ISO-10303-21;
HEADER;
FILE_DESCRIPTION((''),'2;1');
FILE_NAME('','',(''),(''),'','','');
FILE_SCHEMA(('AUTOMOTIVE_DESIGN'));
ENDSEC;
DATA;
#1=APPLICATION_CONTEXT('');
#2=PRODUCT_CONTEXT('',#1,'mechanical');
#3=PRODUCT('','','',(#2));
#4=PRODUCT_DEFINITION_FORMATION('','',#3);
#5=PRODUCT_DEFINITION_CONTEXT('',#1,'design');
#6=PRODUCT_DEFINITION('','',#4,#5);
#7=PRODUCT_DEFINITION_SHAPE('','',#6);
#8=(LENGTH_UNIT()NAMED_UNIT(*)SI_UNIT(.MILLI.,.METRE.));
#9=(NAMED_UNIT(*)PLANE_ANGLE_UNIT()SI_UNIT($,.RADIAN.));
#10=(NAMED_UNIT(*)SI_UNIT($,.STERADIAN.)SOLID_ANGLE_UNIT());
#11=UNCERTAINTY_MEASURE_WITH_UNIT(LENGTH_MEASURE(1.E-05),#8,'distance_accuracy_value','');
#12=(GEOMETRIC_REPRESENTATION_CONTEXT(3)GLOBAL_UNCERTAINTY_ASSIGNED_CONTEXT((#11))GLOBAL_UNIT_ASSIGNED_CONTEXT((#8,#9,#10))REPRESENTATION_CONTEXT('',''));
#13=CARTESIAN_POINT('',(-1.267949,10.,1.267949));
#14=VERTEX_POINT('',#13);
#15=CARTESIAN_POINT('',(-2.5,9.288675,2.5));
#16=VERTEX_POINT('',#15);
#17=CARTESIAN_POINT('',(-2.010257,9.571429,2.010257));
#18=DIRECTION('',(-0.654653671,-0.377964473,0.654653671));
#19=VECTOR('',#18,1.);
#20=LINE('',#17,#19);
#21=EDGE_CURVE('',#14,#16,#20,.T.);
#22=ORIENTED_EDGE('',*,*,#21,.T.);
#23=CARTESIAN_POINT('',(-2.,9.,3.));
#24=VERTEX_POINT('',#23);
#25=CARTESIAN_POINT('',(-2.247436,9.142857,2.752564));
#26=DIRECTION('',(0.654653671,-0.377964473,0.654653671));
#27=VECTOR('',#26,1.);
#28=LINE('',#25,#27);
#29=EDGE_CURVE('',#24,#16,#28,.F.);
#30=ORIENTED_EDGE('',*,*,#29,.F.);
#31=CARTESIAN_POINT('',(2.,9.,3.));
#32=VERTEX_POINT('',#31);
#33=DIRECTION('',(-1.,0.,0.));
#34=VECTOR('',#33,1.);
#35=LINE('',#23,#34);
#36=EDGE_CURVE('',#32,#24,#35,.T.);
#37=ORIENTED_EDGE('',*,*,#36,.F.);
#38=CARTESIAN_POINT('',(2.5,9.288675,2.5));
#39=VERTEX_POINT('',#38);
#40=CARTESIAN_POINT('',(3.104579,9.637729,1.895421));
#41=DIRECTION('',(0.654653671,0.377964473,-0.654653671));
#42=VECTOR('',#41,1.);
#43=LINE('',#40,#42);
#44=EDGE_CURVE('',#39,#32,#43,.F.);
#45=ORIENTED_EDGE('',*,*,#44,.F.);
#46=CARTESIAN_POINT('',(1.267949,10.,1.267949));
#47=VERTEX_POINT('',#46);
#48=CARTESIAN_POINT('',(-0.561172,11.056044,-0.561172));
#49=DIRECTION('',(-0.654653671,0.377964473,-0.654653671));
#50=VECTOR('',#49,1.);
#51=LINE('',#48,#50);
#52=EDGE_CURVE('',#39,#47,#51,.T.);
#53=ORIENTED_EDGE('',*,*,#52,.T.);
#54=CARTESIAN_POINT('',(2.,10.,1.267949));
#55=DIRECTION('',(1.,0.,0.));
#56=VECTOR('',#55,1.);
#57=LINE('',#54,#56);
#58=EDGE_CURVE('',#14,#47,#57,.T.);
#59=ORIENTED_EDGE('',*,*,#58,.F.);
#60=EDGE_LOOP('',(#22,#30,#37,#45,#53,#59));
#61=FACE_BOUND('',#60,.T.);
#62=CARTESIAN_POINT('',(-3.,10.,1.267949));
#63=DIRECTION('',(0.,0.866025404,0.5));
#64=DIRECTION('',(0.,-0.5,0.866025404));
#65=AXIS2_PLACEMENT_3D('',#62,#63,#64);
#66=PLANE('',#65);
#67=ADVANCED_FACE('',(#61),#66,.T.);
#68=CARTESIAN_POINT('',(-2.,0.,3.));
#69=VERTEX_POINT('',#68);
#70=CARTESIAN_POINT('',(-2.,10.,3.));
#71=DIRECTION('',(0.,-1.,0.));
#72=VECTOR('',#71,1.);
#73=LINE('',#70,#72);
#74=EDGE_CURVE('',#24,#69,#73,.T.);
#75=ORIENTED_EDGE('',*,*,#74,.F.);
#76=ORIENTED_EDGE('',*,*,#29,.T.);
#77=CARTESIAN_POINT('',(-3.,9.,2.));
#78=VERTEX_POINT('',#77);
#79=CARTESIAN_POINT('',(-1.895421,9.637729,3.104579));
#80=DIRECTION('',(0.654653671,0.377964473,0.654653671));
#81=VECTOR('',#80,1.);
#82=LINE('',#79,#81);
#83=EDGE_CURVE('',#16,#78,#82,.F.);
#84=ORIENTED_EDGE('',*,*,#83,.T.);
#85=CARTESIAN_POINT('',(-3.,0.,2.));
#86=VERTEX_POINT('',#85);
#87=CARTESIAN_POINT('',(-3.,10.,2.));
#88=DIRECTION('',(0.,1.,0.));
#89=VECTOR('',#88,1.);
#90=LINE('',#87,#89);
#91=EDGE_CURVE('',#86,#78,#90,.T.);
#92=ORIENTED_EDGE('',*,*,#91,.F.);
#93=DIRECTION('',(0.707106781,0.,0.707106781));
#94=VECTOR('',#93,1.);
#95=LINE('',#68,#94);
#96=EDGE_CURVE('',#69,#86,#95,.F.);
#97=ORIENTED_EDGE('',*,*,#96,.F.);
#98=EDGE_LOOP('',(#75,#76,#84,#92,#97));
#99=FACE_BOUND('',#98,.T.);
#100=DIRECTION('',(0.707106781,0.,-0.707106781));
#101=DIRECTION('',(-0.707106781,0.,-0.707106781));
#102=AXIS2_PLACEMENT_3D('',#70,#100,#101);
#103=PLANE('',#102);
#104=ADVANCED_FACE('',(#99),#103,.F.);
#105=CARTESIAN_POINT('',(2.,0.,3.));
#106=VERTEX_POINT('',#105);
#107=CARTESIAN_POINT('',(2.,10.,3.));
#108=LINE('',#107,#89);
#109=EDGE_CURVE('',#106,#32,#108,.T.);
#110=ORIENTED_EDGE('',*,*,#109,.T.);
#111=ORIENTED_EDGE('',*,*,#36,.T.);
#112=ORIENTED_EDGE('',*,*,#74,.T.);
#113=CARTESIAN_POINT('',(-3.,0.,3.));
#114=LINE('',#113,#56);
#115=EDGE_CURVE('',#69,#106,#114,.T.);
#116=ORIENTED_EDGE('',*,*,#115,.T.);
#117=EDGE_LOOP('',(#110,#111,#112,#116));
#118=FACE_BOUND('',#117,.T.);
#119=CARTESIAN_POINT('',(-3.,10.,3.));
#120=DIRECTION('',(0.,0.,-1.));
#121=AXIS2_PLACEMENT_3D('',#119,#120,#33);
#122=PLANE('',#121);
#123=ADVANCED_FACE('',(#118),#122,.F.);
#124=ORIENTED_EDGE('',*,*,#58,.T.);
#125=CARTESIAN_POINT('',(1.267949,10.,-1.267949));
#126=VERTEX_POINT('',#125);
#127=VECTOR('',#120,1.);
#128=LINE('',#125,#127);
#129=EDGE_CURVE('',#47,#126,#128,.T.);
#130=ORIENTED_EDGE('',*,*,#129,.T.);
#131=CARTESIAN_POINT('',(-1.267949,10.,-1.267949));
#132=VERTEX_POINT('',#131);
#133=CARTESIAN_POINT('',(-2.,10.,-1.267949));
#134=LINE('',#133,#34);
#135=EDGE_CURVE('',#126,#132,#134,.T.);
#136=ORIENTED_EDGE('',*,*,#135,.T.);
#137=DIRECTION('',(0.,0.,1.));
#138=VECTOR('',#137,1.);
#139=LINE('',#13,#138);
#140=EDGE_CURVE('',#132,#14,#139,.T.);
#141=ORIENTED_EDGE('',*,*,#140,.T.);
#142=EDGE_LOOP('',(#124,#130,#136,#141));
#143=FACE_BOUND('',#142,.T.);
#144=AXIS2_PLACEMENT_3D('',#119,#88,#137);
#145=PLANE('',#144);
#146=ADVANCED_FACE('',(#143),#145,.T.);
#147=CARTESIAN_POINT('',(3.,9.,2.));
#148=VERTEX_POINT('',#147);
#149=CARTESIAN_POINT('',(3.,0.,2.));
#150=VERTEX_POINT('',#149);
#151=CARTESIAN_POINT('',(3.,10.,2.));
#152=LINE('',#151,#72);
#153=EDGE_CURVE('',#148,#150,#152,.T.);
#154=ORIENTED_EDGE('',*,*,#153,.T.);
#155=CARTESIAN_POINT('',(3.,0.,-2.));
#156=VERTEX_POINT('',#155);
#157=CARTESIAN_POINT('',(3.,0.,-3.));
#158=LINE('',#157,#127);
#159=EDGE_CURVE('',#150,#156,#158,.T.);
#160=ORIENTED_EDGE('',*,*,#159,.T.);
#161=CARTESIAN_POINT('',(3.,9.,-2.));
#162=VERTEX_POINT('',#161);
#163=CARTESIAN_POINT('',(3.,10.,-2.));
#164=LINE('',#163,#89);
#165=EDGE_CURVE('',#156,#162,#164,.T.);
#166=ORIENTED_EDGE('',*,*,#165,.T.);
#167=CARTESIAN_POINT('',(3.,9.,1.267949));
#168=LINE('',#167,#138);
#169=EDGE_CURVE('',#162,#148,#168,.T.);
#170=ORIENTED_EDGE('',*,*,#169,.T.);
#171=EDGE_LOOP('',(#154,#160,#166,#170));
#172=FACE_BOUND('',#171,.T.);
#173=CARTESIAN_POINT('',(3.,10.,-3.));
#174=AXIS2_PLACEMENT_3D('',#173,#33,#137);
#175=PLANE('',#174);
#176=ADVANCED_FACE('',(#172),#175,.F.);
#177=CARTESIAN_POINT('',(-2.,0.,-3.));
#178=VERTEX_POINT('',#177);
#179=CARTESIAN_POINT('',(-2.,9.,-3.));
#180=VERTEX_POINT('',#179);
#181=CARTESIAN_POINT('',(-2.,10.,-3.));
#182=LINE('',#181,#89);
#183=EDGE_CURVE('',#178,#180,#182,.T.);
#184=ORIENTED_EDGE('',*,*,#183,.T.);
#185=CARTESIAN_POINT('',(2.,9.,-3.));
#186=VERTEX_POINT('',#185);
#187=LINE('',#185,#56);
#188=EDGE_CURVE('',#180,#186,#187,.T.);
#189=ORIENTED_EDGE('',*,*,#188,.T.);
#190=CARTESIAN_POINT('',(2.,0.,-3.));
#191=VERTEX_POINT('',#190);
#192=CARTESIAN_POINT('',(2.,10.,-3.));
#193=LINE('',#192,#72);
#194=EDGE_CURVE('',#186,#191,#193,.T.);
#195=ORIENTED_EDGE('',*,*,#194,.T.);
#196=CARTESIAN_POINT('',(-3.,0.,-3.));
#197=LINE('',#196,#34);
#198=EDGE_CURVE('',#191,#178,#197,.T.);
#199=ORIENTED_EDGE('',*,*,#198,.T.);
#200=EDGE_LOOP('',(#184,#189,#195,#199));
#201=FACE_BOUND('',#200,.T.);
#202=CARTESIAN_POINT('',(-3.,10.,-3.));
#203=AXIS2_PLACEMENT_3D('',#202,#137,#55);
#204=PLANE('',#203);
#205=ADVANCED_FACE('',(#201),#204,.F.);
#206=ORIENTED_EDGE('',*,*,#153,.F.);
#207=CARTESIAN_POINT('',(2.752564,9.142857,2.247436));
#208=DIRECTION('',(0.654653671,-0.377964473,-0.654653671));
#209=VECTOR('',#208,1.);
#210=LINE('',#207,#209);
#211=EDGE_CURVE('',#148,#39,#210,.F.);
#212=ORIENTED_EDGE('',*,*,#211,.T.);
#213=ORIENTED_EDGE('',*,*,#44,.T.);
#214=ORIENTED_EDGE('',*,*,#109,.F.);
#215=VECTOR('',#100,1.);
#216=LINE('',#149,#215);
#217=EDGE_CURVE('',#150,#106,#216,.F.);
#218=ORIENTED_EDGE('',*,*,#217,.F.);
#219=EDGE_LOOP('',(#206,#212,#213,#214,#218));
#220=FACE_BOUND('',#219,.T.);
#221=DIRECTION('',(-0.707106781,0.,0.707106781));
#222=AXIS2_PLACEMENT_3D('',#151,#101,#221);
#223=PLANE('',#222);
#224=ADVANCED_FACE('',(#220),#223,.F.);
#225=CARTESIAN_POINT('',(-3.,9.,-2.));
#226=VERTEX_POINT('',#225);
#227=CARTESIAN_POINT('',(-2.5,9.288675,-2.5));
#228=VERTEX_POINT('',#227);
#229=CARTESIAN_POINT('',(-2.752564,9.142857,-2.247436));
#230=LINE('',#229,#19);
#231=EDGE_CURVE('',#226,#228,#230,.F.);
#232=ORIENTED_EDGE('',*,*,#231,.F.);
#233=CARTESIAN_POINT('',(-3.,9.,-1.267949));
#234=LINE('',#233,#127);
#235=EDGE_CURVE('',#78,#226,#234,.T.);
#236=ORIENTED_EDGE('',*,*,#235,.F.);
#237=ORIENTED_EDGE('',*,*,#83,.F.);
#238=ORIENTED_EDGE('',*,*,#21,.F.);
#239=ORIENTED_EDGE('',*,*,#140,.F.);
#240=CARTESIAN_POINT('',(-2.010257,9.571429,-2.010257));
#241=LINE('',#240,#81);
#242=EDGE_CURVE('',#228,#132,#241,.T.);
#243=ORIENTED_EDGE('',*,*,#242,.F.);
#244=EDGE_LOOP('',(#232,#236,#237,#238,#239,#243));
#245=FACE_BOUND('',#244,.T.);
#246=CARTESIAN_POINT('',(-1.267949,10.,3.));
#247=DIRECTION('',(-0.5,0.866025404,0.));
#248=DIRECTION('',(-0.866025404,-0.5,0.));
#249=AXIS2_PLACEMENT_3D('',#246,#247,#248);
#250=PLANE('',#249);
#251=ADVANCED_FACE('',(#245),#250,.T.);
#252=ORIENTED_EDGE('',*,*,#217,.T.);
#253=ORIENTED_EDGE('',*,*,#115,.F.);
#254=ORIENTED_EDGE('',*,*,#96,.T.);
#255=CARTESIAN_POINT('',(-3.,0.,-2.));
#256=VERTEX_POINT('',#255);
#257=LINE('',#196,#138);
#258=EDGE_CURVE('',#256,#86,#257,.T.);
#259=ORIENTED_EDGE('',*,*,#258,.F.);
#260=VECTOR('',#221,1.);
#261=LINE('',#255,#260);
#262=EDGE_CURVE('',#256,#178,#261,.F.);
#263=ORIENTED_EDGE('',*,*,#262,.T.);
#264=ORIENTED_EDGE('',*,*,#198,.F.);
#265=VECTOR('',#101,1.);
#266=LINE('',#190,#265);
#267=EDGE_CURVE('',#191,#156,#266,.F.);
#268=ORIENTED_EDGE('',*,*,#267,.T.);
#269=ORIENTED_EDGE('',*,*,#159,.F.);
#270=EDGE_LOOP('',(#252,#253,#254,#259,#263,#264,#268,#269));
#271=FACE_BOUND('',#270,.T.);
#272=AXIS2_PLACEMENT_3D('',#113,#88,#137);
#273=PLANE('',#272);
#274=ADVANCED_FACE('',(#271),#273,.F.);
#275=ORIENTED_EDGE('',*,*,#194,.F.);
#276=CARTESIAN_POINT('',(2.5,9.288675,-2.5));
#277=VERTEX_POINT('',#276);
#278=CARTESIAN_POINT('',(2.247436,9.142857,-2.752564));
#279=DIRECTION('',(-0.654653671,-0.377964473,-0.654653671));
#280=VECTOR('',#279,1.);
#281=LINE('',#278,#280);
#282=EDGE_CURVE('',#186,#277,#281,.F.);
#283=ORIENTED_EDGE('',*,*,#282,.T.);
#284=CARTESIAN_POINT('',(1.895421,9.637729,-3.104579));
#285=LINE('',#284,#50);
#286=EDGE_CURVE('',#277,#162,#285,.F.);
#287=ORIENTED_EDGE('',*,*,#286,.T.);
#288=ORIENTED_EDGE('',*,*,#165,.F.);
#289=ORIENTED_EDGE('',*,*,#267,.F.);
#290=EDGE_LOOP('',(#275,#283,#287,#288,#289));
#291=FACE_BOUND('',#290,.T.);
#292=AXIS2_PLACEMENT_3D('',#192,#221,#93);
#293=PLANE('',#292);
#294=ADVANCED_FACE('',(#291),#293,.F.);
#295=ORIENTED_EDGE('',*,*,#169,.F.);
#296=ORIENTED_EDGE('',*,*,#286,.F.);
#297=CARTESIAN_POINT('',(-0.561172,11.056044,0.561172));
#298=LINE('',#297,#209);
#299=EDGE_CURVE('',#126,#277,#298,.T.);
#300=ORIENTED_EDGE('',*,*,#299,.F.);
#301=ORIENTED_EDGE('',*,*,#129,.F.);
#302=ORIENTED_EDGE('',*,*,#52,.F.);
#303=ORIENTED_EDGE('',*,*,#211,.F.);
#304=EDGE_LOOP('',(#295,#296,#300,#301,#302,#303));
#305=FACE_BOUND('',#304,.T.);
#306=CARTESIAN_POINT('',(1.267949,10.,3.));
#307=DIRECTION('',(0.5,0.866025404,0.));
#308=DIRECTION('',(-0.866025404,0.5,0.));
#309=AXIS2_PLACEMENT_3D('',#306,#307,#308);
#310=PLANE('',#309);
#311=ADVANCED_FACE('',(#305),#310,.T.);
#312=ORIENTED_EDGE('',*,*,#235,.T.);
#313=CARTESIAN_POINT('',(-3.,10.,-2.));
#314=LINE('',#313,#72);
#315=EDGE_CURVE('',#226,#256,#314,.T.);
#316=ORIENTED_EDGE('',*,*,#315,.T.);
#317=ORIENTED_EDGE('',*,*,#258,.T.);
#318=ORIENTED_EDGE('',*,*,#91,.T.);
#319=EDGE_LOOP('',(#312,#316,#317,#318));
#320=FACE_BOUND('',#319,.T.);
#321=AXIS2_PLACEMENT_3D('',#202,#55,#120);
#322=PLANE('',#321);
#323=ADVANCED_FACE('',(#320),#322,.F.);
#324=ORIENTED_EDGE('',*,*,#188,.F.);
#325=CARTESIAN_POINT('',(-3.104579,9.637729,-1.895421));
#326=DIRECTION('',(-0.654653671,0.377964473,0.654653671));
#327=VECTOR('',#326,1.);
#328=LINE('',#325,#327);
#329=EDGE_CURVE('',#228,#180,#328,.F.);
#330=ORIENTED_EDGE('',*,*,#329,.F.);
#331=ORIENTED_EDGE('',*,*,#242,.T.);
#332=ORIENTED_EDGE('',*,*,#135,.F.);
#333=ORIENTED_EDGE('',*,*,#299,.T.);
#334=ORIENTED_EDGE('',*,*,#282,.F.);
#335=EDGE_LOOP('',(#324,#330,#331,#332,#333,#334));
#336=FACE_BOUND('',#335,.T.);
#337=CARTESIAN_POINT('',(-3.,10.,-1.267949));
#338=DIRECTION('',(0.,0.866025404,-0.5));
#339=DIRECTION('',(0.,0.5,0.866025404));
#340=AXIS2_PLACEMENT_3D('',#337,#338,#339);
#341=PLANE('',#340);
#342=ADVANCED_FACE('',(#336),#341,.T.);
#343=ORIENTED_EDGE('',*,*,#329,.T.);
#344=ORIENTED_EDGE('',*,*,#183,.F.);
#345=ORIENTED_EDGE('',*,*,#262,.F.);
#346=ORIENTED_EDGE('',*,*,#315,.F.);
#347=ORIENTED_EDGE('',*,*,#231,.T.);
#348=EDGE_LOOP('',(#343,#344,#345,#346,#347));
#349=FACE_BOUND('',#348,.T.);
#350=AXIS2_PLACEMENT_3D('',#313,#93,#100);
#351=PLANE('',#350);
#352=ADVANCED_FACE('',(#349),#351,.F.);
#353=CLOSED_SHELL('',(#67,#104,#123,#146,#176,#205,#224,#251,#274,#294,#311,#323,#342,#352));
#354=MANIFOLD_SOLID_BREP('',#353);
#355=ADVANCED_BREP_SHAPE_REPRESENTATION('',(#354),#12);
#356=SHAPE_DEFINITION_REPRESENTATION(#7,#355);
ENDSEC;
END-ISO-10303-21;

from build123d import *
from OCP.BRepFilletAPI import BRepFilletAPI_MakeChamfer

# Parameters (mm, degrees)
SKETCH11_W     = 6
SKETCH11_H     = 6
EXTRUDE8_DEPTH = 10
CHAMFER1_SIZE  = 1
CHAMFER2_SIZE  = 1
CHAMFER3_SIZE  = 1
CHAMFER3_SIZE2 = 1.732050808
CHAMFER4_SIZE  = 1
CHAMFER4_SIZE2 = 1.732050808


with BuildPart() as part:
    # Sketch11 → Extrude8 (new body)
    with BuildSketch(Plane(origin=(0, 0, 0), x_dir=(1, 0, 0), z_dir=(0, 1, 0))):
        Rectangle(SKETCH11_W, SKETCH11_H)
    extrude(amount=EXTRUDE8_DEPTH)

    # Chamfer1
    chamfer1_edges = [part.edges().sort_by_distance(p)[0] for p in [
        (3, 5, -3),
        (-3, 5, 3),
    ]]
    chamfer(chamfer1_edges, length=CHAMFER1_SIZE)

    # Chamfer2
    chamfer2_edges = [part.edges().sort_by_distance(p)[0] for p in [
        (-3, 5, -3),
        (3, 5, 3),
    ]]
    chamfer(chamfer2_edges, length=CHAMFER2_SIZE)

    # Chamfer3: one chamfer whose edges measure the first distance from different faces: ONE call of the kernel's chamfer builder (chamfer() names one face for all edges)
    chamfer3_edges_1 = [part.edges().sort_by_distance(p)[0] for p in [
        (0, 10, 3),
    ]]
    chamfer3_side_1 = [part.faces().sort_by_distance(p)[0] for p in [
        (0, 5, 3),
    ]]
    chamfer3_edges_2 = [part.edges().sort_by_distance(p)[0] for p in [
        (0, 10, -3),
    ]]
    chamfer3_side_2 = [part.faces().sort_by_distance(p)[0] for p in [
        (0, 5, -3),
    ]]
    chamfer3 = BRepFilletAPI_MakeChamfer(part.part.solid().wrapped)
    for e in chamfer3_edges_1:
        chamfer3.Add(CHAMFER3_SIZE, CHAMFER3_SIZE2, e.wrapped, chamfer3_side_1[0].wrapped)  # the first distance lies on this face
    for e in chamfer3_edges_2:
        chamfer3.Add(CHAMFER3_SIZE, CHAMFER3_SIZE2, e.wrapped, chamfer3_side_2[0].wrapped)  # the first distance lies on this face
    add(Compound.cast(chamfer3.Shape()), mode=Mode.REPLACE)

    # Chamfer4: one chamfer whose edges measure the first distance from different faces: ONE call of the kernel's chamfer builder (chamfer() names one face for all edges)
    chamfer4_edges_1 = [part.edges().sort_by_distance(p)[0] for p in [
        (3, 10, 0),
    ]]
    chamfer4_side_1 = [part.faces().sort_by_distance(p)[0] for p in [
        (3, 4.962121611, 0),
    ]]
    chamfer4_edges_2 = [part.edges().sort_by_distance(p)[0] for p in [
        (-3, 10, 0),
    ]]
    chamfer4_side_2 = [part.faces().sort_by_distance(p)[0] for p in [
        (-3, 4.962121611, 0),
    ]]
    chamfer4 = BRepFilletAPI_MakeChamfer(part.part.solid().wrapped)
    for e in chamfer4_edges_1:
        chamfer4.Add(CHAMFER4_SIZE, CHAMFER4_SIZE2, e.wrapped, chamfer4_side_1[0].wrapped)  # the first distance lies on this face
    for e in chamfer4_edges_2:
        chamfer4.Add(CHAMFER4_SIZE, CHAMFER4_SIZE2, e.wrapped, chamfer4_side_2[0].wrapped)  # the first distance lies on this face
    add(Compound.cast(chamfer4.Shape()), mode=Mode.REPLACE)


solid = part.part
